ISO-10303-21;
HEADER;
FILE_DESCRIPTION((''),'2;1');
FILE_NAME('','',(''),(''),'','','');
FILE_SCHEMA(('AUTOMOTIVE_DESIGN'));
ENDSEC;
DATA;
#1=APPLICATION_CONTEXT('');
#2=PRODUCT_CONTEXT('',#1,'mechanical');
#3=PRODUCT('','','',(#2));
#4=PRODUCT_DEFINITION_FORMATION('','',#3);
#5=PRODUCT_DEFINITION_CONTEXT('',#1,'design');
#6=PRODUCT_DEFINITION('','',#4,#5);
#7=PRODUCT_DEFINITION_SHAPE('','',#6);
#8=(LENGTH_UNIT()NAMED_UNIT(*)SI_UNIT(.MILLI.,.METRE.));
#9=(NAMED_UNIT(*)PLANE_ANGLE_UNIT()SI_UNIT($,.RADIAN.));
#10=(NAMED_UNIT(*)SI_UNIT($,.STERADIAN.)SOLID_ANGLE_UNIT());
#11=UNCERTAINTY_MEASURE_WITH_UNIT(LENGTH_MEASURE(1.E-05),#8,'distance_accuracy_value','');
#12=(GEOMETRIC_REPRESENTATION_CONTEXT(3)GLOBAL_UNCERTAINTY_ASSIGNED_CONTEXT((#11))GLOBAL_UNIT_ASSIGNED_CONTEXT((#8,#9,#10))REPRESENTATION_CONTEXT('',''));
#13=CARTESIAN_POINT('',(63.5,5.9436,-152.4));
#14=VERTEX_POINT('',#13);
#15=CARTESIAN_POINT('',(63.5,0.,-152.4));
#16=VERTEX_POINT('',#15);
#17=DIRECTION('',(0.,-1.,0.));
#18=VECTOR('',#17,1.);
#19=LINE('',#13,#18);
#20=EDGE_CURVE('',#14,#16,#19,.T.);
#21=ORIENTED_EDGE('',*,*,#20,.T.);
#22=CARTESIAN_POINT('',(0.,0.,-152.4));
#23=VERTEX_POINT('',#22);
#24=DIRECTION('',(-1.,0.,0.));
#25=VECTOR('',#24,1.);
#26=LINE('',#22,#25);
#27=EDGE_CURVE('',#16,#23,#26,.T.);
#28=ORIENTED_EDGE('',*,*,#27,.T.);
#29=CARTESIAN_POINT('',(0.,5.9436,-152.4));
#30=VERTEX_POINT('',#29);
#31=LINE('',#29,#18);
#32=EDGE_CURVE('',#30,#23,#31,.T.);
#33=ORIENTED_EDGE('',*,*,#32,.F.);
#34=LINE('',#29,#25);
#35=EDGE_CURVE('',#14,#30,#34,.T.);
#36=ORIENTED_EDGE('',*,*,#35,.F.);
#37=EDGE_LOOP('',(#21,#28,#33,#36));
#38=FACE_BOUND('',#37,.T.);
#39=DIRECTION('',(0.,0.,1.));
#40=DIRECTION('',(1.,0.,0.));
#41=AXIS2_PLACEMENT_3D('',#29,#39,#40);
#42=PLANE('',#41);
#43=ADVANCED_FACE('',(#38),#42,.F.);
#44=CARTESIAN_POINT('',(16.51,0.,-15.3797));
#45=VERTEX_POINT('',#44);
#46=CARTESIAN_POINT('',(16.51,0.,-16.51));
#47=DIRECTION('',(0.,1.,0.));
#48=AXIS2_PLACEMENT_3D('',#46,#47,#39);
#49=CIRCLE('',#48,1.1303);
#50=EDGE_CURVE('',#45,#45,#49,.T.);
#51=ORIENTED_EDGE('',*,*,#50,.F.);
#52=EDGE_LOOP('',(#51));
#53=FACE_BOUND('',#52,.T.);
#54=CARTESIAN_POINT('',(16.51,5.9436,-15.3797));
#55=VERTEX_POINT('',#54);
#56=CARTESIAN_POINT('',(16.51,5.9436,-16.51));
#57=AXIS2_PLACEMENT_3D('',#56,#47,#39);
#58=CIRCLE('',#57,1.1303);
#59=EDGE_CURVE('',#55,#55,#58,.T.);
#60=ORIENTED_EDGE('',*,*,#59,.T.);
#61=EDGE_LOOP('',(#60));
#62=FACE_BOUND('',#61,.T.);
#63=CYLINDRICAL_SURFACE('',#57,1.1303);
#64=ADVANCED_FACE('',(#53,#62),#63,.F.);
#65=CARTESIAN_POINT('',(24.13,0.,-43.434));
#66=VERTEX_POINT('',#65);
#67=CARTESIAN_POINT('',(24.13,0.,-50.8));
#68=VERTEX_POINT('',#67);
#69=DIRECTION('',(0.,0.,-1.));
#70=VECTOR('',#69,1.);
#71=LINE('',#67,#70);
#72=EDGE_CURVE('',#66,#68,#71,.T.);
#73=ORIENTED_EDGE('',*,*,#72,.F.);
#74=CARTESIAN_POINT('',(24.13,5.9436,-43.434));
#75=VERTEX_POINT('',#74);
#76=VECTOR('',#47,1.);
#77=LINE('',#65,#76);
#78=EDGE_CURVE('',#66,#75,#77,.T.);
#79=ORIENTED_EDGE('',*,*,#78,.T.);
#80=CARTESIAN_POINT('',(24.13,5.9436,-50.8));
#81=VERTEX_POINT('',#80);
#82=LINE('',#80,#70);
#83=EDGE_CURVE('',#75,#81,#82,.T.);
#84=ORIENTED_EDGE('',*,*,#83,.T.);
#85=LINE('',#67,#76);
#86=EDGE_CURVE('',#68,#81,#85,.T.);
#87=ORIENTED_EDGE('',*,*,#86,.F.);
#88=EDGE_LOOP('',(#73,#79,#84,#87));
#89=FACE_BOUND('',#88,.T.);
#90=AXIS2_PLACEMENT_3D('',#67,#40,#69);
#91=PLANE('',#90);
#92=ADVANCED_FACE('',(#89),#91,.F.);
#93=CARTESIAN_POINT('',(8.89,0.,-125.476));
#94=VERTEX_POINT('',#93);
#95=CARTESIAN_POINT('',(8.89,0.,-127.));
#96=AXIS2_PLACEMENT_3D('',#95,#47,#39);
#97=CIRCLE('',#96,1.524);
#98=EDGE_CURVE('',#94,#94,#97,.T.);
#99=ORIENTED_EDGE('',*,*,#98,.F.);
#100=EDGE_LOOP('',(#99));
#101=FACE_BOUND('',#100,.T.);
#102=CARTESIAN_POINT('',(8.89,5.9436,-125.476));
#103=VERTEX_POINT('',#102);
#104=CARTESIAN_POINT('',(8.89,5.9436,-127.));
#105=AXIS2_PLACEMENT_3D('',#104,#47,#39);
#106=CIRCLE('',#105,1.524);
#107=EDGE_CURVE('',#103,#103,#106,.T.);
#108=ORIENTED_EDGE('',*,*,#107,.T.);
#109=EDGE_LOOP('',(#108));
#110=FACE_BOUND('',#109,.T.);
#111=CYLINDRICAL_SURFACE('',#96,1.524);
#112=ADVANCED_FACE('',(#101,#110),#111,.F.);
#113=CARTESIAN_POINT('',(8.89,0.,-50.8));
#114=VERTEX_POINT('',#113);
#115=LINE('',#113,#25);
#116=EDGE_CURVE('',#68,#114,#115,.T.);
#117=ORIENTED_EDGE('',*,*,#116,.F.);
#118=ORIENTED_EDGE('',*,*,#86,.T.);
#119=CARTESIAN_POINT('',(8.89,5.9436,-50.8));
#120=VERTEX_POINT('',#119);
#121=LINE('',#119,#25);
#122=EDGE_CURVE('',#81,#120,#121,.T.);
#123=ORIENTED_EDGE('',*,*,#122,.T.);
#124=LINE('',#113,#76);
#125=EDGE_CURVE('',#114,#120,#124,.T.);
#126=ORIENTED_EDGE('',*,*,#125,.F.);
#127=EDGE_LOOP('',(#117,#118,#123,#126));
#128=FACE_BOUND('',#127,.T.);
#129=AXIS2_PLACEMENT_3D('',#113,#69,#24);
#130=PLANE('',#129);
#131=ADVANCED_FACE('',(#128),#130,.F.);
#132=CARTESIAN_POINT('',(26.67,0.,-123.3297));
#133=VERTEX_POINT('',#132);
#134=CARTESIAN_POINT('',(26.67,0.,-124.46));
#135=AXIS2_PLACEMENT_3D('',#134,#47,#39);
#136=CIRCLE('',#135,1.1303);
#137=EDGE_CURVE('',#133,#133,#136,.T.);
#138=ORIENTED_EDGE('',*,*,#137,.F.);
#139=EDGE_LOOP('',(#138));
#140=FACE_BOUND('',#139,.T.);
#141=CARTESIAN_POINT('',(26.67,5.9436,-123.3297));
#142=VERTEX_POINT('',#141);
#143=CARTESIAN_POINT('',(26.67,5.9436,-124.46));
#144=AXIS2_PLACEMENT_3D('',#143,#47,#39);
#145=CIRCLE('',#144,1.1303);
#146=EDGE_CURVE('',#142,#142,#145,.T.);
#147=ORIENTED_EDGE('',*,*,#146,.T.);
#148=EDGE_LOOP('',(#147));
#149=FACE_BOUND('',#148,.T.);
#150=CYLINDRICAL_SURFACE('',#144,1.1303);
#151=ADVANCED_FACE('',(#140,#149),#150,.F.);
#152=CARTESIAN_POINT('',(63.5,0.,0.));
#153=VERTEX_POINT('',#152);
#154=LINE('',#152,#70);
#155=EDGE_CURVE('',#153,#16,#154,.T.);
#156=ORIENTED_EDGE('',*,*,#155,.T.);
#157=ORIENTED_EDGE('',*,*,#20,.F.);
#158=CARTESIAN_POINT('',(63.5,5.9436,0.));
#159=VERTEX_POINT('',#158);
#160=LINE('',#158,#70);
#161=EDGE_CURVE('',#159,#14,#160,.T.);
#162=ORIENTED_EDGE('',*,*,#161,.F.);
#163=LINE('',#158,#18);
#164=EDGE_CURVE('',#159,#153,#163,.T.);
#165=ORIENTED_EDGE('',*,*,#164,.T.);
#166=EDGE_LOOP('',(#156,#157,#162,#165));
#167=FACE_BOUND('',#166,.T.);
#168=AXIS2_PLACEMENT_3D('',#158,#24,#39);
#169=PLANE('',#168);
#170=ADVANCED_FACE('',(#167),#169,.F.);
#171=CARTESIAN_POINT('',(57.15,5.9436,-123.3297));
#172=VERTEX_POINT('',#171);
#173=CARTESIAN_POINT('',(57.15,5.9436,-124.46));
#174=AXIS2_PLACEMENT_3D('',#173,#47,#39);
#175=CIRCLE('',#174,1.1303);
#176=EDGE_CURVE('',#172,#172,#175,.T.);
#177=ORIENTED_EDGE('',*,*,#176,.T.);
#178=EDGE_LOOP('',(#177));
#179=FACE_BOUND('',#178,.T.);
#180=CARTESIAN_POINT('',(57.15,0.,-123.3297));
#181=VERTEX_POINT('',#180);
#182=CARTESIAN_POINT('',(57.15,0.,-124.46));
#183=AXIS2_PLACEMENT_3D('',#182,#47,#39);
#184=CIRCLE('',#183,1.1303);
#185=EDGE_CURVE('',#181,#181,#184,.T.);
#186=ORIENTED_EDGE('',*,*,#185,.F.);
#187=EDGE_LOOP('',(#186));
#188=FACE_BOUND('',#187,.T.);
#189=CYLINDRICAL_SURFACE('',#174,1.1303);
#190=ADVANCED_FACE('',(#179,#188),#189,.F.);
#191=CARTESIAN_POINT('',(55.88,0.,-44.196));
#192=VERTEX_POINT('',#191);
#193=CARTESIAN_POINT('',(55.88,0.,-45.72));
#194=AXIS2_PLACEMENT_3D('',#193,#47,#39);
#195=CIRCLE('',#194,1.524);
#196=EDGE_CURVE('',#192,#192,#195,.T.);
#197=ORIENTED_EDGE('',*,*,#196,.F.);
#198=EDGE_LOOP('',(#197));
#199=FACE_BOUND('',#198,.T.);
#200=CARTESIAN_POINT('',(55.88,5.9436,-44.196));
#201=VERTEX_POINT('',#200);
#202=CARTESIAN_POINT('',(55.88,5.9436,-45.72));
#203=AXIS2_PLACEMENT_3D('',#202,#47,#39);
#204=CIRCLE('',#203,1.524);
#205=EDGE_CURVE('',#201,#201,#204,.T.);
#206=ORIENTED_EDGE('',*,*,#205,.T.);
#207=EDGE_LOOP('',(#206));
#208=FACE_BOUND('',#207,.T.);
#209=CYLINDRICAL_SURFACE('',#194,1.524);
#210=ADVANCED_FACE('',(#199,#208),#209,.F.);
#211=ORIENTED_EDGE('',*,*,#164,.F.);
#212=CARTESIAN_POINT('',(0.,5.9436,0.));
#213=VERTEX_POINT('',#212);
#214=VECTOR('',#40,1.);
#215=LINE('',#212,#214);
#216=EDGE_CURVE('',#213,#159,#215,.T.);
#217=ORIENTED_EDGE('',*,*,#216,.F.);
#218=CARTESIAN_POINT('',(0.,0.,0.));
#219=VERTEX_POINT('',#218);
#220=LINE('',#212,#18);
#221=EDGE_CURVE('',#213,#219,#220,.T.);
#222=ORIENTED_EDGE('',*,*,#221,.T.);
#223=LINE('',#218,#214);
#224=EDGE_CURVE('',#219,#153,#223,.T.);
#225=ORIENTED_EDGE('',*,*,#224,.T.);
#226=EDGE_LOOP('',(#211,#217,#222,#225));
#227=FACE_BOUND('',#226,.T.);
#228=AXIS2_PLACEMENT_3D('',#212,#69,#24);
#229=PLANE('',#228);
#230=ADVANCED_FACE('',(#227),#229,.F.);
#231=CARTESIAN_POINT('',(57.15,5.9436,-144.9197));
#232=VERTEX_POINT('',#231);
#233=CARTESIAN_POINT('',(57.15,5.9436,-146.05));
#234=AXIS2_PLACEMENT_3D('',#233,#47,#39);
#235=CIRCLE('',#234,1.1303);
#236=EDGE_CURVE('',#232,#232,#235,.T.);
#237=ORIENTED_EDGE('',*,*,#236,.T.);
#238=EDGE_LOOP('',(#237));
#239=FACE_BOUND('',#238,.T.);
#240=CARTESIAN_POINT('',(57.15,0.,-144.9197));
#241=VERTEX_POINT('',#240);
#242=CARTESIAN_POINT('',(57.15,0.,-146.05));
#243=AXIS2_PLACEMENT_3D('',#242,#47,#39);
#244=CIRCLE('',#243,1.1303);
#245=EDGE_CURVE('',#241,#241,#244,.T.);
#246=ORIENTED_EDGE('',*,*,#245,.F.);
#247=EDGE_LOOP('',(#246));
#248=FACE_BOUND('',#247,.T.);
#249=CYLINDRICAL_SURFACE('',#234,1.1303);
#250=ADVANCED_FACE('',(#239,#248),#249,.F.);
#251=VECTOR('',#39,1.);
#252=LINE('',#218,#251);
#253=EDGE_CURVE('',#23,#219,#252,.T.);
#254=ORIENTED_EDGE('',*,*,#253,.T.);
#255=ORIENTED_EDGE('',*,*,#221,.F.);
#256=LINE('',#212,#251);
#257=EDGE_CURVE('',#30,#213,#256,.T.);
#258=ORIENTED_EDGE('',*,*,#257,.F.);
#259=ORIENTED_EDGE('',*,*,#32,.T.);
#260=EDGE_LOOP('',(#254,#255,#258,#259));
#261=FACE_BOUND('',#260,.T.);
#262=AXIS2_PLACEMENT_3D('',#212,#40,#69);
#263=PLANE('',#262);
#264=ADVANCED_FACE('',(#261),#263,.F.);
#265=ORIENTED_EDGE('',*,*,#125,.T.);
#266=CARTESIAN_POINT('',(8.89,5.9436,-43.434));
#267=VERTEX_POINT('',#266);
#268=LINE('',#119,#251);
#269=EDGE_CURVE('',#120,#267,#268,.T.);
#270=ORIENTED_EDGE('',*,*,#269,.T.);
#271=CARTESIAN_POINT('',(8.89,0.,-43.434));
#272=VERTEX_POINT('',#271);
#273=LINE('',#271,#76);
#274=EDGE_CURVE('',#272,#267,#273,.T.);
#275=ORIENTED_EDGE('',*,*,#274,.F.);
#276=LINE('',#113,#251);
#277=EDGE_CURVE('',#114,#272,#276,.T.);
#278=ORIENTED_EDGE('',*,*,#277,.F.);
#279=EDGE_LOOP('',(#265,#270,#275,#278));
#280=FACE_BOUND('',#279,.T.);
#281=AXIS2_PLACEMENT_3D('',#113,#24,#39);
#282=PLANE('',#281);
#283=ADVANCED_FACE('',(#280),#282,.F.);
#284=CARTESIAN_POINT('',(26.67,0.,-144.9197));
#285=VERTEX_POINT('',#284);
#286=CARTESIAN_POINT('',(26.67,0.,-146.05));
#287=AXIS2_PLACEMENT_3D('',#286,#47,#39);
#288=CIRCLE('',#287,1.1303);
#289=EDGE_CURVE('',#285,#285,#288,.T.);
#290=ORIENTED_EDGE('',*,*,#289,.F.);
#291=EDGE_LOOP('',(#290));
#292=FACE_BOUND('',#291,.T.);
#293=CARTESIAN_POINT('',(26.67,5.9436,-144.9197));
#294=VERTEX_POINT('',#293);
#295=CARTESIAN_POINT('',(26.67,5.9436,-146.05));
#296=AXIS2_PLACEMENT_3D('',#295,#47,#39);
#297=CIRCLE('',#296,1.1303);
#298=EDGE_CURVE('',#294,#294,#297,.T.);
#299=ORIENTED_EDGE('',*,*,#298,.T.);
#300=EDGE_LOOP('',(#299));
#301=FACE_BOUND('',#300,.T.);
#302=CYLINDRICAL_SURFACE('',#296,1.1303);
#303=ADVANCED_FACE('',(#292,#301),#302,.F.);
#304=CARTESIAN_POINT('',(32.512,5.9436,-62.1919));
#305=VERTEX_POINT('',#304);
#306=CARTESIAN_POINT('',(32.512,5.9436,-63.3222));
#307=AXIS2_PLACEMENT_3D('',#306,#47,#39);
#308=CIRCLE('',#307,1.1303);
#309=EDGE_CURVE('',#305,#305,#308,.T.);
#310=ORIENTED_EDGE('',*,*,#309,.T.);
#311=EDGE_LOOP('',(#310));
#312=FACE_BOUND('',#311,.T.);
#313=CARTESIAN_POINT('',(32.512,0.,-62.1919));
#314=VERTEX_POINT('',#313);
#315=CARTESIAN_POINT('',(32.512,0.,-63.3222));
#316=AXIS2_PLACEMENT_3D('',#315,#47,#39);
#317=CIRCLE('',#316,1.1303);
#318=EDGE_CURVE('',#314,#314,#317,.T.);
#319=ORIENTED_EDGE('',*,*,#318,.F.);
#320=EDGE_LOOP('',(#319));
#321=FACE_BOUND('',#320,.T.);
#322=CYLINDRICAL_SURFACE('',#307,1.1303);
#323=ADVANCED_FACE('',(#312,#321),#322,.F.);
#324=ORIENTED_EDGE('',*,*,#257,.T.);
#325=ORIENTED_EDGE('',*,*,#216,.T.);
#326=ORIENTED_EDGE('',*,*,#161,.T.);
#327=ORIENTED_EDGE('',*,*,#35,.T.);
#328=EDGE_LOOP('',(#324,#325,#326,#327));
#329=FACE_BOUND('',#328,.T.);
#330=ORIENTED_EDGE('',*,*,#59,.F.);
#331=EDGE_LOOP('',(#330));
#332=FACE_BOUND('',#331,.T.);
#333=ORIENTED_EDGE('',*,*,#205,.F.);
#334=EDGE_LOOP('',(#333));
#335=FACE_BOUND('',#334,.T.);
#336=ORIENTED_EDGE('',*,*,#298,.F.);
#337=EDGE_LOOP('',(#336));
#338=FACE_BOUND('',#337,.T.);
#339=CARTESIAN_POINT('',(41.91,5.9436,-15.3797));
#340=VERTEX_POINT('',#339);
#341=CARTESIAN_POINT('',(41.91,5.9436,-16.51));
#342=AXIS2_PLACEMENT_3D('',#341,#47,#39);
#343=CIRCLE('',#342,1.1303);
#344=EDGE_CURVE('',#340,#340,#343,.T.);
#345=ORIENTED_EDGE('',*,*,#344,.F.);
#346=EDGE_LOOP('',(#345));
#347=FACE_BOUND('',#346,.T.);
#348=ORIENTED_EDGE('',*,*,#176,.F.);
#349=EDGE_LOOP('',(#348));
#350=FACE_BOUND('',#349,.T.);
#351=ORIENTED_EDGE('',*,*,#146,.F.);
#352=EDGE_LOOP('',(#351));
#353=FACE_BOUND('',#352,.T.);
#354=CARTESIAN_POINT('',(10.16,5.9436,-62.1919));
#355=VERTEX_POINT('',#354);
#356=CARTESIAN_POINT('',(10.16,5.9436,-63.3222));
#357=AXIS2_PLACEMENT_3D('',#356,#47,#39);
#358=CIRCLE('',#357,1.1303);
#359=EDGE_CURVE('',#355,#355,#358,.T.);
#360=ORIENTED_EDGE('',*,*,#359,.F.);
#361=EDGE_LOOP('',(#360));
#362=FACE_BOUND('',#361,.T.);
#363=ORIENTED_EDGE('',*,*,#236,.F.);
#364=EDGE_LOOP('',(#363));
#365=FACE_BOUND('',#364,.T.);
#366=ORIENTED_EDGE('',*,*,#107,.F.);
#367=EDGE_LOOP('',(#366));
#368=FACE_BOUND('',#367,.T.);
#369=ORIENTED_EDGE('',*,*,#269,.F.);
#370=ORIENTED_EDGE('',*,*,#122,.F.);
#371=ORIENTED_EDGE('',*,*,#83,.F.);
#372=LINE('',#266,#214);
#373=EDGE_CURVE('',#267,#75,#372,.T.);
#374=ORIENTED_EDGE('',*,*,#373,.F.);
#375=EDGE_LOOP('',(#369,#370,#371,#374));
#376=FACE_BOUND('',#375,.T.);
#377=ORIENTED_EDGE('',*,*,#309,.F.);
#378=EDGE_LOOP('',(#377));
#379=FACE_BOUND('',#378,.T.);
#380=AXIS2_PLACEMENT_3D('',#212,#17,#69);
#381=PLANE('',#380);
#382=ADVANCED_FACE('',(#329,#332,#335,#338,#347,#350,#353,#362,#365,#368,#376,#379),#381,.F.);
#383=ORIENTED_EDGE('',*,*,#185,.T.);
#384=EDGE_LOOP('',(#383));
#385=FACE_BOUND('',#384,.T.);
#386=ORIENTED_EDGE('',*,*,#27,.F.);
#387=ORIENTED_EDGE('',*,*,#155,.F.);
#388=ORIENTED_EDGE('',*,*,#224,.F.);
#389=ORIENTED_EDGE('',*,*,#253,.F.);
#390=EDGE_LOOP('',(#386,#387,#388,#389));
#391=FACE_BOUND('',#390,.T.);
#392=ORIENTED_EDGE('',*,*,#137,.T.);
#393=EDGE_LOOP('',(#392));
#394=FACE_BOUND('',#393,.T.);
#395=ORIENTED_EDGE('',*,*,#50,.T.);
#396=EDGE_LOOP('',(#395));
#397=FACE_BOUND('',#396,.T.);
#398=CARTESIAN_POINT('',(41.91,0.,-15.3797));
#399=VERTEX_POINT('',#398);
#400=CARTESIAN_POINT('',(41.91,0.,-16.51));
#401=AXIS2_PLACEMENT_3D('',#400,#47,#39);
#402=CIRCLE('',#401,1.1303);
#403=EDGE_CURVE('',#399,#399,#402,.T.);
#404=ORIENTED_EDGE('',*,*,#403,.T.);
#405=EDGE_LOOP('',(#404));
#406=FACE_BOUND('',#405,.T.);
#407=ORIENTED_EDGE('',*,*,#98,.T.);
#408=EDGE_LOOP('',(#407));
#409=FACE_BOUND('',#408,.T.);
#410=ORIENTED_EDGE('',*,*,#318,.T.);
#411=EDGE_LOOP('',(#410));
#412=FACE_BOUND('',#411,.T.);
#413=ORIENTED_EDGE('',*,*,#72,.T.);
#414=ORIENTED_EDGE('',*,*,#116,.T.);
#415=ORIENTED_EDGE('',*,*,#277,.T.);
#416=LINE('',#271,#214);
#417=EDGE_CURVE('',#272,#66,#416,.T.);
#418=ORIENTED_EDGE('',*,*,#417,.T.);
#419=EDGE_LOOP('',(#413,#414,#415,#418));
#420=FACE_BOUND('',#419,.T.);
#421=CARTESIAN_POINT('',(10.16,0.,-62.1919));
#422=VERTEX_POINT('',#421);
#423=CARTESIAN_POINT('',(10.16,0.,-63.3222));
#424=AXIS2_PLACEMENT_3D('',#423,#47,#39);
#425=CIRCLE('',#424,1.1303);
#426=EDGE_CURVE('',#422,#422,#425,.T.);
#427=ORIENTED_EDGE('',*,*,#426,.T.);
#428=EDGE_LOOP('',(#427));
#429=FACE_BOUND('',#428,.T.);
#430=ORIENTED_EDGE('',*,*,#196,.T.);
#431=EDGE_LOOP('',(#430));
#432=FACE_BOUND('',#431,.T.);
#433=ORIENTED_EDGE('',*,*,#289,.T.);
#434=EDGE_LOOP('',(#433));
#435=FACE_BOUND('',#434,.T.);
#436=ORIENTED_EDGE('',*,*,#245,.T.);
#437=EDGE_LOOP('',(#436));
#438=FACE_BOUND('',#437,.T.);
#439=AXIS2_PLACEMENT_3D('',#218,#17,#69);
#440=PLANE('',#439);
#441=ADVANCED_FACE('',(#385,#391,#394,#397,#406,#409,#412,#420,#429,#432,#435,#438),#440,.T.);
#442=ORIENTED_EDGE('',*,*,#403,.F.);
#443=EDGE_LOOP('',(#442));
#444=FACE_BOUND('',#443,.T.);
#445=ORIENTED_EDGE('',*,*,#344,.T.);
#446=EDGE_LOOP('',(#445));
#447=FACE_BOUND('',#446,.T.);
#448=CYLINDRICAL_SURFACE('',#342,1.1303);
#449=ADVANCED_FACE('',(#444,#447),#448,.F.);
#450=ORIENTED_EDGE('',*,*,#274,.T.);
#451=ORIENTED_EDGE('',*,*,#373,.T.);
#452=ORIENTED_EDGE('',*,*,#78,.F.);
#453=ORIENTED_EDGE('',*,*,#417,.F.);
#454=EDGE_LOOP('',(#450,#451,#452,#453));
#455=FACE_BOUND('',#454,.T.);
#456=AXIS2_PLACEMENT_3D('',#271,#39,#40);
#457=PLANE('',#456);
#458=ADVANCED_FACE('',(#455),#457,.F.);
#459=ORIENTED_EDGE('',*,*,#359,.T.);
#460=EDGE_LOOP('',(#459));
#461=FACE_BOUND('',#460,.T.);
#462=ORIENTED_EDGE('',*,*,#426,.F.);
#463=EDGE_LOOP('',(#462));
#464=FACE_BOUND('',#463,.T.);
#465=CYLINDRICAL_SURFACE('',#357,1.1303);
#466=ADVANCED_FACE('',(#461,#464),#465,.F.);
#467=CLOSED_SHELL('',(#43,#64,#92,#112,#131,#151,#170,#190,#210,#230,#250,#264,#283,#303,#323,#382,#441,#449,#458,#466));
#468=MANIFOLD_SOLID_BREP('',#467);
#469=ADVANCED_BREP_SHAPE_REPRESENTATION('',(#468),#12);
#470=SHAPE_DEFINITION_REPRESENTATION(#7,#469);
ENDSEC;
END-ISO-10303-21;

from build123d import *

# Parameters (mm, degrees)
SKETCH1_W             = 63.5
SKETCH1_H             = 152.4
BOSS_EXTRUDE1_DEPTH   = 5.9436
SKETCH4_W             = 15.24
SKETCH4_H             = 7.366
CUT_EXTRUDE3_DEPTH    = 166.206950159
F_4_40_TAPPED_HOLE1_D = 2.2606
F_4_40_TAPPED_HOLE2_D = 2.2606
F_4_40_TAPPED_HOLE3_D = 2.2606
SKETCH13_R            = 1.524
CUT_EXTRUDE5_DEPTH    = 166.206950159


with BuildPart() as part:
    # Sketch1 → Boss-Extrude1 (new body)
    with BuildSketch(Plane(origin=(0, 0, 0), x_dir=(1, 0, 0), z_dir=(0, 1, 0))):
        with Locations((31.75, 76.2)):
            Rectangle(SKETCH1_W, SKETCH1_H)
    extrude(amount=BOSS_EXTRUDE1_DEPTH)

    # Sketch4 → Cut-Extrude3 (cut, through all)
    with BuildSketch(Plane(origin=(0, 5.9436, 0), x_dir=(1, 0, 0), z_dir=(0, 1, 0))):
        with Locations((16.51, 47.117)):
            Rectangle(SKETCH4_W, SKETCH4_H)
    extrude(amount=-CUT_EXTRUDE3_DEPTH, mode=Mode.SUBTRACT)

    # #4-40 Tapped Hole1 (through all)
    with Locations(Plane(origin=(0, 5.9436, 0), x_dir=(1, 0, 0), z_dir=(0, 1, 0))):
        with Locations((57.15, 146.05), (57.15, 124.46), (26.67, 124.46), (26.67, 146.05)):
            Hole(F_4_40_TAPPED_HOLE1_D / 2)

    # #4-40 Tapped Hole2 (through all)
    with Locations(Plane(origin=(0, 5.9436, 0), x_dir=(1, 0, 0), z_dir=(0, 1, 0))):
        with Locations((32.512, 63.3222), (10.16, 63.3222)):
            Hole(F_4_40_TAPPED_HOLE2_D / 2)

    # #4-40 Tapped Hole3 (through all)
    with Locations(Plane(origin=(0, 5.9436, 0), x_dir=(1, 0, 0), z_dir=(0, 1, 0))):
        with Locations((41.91, 16.51), (16.51, 16.51)):
            Hole(F_4_40_TAPPED_HOLE3_D / 2)

    # Sketch13 → Cut-Extrude5 (cut, through all)
    with BuildSketch(Plane(origin=(0, 5.9436, 0), x_dir=(1, 0, 0), z_dir=(0, 1, 0))):
        with Locations(Location((8.89, 127, 0), (0, 0, 270))):
            Circle(SKETCH13_R)
        with Locations(Location((55.88, 45.72, 0), (0, 0, 270))):
            Circle(SKETCH13_R)
    extrude(amount=-CUT_EXTRUDE5_DEPTH, mode=Mode.SUBTRACT)


solid = part.part
